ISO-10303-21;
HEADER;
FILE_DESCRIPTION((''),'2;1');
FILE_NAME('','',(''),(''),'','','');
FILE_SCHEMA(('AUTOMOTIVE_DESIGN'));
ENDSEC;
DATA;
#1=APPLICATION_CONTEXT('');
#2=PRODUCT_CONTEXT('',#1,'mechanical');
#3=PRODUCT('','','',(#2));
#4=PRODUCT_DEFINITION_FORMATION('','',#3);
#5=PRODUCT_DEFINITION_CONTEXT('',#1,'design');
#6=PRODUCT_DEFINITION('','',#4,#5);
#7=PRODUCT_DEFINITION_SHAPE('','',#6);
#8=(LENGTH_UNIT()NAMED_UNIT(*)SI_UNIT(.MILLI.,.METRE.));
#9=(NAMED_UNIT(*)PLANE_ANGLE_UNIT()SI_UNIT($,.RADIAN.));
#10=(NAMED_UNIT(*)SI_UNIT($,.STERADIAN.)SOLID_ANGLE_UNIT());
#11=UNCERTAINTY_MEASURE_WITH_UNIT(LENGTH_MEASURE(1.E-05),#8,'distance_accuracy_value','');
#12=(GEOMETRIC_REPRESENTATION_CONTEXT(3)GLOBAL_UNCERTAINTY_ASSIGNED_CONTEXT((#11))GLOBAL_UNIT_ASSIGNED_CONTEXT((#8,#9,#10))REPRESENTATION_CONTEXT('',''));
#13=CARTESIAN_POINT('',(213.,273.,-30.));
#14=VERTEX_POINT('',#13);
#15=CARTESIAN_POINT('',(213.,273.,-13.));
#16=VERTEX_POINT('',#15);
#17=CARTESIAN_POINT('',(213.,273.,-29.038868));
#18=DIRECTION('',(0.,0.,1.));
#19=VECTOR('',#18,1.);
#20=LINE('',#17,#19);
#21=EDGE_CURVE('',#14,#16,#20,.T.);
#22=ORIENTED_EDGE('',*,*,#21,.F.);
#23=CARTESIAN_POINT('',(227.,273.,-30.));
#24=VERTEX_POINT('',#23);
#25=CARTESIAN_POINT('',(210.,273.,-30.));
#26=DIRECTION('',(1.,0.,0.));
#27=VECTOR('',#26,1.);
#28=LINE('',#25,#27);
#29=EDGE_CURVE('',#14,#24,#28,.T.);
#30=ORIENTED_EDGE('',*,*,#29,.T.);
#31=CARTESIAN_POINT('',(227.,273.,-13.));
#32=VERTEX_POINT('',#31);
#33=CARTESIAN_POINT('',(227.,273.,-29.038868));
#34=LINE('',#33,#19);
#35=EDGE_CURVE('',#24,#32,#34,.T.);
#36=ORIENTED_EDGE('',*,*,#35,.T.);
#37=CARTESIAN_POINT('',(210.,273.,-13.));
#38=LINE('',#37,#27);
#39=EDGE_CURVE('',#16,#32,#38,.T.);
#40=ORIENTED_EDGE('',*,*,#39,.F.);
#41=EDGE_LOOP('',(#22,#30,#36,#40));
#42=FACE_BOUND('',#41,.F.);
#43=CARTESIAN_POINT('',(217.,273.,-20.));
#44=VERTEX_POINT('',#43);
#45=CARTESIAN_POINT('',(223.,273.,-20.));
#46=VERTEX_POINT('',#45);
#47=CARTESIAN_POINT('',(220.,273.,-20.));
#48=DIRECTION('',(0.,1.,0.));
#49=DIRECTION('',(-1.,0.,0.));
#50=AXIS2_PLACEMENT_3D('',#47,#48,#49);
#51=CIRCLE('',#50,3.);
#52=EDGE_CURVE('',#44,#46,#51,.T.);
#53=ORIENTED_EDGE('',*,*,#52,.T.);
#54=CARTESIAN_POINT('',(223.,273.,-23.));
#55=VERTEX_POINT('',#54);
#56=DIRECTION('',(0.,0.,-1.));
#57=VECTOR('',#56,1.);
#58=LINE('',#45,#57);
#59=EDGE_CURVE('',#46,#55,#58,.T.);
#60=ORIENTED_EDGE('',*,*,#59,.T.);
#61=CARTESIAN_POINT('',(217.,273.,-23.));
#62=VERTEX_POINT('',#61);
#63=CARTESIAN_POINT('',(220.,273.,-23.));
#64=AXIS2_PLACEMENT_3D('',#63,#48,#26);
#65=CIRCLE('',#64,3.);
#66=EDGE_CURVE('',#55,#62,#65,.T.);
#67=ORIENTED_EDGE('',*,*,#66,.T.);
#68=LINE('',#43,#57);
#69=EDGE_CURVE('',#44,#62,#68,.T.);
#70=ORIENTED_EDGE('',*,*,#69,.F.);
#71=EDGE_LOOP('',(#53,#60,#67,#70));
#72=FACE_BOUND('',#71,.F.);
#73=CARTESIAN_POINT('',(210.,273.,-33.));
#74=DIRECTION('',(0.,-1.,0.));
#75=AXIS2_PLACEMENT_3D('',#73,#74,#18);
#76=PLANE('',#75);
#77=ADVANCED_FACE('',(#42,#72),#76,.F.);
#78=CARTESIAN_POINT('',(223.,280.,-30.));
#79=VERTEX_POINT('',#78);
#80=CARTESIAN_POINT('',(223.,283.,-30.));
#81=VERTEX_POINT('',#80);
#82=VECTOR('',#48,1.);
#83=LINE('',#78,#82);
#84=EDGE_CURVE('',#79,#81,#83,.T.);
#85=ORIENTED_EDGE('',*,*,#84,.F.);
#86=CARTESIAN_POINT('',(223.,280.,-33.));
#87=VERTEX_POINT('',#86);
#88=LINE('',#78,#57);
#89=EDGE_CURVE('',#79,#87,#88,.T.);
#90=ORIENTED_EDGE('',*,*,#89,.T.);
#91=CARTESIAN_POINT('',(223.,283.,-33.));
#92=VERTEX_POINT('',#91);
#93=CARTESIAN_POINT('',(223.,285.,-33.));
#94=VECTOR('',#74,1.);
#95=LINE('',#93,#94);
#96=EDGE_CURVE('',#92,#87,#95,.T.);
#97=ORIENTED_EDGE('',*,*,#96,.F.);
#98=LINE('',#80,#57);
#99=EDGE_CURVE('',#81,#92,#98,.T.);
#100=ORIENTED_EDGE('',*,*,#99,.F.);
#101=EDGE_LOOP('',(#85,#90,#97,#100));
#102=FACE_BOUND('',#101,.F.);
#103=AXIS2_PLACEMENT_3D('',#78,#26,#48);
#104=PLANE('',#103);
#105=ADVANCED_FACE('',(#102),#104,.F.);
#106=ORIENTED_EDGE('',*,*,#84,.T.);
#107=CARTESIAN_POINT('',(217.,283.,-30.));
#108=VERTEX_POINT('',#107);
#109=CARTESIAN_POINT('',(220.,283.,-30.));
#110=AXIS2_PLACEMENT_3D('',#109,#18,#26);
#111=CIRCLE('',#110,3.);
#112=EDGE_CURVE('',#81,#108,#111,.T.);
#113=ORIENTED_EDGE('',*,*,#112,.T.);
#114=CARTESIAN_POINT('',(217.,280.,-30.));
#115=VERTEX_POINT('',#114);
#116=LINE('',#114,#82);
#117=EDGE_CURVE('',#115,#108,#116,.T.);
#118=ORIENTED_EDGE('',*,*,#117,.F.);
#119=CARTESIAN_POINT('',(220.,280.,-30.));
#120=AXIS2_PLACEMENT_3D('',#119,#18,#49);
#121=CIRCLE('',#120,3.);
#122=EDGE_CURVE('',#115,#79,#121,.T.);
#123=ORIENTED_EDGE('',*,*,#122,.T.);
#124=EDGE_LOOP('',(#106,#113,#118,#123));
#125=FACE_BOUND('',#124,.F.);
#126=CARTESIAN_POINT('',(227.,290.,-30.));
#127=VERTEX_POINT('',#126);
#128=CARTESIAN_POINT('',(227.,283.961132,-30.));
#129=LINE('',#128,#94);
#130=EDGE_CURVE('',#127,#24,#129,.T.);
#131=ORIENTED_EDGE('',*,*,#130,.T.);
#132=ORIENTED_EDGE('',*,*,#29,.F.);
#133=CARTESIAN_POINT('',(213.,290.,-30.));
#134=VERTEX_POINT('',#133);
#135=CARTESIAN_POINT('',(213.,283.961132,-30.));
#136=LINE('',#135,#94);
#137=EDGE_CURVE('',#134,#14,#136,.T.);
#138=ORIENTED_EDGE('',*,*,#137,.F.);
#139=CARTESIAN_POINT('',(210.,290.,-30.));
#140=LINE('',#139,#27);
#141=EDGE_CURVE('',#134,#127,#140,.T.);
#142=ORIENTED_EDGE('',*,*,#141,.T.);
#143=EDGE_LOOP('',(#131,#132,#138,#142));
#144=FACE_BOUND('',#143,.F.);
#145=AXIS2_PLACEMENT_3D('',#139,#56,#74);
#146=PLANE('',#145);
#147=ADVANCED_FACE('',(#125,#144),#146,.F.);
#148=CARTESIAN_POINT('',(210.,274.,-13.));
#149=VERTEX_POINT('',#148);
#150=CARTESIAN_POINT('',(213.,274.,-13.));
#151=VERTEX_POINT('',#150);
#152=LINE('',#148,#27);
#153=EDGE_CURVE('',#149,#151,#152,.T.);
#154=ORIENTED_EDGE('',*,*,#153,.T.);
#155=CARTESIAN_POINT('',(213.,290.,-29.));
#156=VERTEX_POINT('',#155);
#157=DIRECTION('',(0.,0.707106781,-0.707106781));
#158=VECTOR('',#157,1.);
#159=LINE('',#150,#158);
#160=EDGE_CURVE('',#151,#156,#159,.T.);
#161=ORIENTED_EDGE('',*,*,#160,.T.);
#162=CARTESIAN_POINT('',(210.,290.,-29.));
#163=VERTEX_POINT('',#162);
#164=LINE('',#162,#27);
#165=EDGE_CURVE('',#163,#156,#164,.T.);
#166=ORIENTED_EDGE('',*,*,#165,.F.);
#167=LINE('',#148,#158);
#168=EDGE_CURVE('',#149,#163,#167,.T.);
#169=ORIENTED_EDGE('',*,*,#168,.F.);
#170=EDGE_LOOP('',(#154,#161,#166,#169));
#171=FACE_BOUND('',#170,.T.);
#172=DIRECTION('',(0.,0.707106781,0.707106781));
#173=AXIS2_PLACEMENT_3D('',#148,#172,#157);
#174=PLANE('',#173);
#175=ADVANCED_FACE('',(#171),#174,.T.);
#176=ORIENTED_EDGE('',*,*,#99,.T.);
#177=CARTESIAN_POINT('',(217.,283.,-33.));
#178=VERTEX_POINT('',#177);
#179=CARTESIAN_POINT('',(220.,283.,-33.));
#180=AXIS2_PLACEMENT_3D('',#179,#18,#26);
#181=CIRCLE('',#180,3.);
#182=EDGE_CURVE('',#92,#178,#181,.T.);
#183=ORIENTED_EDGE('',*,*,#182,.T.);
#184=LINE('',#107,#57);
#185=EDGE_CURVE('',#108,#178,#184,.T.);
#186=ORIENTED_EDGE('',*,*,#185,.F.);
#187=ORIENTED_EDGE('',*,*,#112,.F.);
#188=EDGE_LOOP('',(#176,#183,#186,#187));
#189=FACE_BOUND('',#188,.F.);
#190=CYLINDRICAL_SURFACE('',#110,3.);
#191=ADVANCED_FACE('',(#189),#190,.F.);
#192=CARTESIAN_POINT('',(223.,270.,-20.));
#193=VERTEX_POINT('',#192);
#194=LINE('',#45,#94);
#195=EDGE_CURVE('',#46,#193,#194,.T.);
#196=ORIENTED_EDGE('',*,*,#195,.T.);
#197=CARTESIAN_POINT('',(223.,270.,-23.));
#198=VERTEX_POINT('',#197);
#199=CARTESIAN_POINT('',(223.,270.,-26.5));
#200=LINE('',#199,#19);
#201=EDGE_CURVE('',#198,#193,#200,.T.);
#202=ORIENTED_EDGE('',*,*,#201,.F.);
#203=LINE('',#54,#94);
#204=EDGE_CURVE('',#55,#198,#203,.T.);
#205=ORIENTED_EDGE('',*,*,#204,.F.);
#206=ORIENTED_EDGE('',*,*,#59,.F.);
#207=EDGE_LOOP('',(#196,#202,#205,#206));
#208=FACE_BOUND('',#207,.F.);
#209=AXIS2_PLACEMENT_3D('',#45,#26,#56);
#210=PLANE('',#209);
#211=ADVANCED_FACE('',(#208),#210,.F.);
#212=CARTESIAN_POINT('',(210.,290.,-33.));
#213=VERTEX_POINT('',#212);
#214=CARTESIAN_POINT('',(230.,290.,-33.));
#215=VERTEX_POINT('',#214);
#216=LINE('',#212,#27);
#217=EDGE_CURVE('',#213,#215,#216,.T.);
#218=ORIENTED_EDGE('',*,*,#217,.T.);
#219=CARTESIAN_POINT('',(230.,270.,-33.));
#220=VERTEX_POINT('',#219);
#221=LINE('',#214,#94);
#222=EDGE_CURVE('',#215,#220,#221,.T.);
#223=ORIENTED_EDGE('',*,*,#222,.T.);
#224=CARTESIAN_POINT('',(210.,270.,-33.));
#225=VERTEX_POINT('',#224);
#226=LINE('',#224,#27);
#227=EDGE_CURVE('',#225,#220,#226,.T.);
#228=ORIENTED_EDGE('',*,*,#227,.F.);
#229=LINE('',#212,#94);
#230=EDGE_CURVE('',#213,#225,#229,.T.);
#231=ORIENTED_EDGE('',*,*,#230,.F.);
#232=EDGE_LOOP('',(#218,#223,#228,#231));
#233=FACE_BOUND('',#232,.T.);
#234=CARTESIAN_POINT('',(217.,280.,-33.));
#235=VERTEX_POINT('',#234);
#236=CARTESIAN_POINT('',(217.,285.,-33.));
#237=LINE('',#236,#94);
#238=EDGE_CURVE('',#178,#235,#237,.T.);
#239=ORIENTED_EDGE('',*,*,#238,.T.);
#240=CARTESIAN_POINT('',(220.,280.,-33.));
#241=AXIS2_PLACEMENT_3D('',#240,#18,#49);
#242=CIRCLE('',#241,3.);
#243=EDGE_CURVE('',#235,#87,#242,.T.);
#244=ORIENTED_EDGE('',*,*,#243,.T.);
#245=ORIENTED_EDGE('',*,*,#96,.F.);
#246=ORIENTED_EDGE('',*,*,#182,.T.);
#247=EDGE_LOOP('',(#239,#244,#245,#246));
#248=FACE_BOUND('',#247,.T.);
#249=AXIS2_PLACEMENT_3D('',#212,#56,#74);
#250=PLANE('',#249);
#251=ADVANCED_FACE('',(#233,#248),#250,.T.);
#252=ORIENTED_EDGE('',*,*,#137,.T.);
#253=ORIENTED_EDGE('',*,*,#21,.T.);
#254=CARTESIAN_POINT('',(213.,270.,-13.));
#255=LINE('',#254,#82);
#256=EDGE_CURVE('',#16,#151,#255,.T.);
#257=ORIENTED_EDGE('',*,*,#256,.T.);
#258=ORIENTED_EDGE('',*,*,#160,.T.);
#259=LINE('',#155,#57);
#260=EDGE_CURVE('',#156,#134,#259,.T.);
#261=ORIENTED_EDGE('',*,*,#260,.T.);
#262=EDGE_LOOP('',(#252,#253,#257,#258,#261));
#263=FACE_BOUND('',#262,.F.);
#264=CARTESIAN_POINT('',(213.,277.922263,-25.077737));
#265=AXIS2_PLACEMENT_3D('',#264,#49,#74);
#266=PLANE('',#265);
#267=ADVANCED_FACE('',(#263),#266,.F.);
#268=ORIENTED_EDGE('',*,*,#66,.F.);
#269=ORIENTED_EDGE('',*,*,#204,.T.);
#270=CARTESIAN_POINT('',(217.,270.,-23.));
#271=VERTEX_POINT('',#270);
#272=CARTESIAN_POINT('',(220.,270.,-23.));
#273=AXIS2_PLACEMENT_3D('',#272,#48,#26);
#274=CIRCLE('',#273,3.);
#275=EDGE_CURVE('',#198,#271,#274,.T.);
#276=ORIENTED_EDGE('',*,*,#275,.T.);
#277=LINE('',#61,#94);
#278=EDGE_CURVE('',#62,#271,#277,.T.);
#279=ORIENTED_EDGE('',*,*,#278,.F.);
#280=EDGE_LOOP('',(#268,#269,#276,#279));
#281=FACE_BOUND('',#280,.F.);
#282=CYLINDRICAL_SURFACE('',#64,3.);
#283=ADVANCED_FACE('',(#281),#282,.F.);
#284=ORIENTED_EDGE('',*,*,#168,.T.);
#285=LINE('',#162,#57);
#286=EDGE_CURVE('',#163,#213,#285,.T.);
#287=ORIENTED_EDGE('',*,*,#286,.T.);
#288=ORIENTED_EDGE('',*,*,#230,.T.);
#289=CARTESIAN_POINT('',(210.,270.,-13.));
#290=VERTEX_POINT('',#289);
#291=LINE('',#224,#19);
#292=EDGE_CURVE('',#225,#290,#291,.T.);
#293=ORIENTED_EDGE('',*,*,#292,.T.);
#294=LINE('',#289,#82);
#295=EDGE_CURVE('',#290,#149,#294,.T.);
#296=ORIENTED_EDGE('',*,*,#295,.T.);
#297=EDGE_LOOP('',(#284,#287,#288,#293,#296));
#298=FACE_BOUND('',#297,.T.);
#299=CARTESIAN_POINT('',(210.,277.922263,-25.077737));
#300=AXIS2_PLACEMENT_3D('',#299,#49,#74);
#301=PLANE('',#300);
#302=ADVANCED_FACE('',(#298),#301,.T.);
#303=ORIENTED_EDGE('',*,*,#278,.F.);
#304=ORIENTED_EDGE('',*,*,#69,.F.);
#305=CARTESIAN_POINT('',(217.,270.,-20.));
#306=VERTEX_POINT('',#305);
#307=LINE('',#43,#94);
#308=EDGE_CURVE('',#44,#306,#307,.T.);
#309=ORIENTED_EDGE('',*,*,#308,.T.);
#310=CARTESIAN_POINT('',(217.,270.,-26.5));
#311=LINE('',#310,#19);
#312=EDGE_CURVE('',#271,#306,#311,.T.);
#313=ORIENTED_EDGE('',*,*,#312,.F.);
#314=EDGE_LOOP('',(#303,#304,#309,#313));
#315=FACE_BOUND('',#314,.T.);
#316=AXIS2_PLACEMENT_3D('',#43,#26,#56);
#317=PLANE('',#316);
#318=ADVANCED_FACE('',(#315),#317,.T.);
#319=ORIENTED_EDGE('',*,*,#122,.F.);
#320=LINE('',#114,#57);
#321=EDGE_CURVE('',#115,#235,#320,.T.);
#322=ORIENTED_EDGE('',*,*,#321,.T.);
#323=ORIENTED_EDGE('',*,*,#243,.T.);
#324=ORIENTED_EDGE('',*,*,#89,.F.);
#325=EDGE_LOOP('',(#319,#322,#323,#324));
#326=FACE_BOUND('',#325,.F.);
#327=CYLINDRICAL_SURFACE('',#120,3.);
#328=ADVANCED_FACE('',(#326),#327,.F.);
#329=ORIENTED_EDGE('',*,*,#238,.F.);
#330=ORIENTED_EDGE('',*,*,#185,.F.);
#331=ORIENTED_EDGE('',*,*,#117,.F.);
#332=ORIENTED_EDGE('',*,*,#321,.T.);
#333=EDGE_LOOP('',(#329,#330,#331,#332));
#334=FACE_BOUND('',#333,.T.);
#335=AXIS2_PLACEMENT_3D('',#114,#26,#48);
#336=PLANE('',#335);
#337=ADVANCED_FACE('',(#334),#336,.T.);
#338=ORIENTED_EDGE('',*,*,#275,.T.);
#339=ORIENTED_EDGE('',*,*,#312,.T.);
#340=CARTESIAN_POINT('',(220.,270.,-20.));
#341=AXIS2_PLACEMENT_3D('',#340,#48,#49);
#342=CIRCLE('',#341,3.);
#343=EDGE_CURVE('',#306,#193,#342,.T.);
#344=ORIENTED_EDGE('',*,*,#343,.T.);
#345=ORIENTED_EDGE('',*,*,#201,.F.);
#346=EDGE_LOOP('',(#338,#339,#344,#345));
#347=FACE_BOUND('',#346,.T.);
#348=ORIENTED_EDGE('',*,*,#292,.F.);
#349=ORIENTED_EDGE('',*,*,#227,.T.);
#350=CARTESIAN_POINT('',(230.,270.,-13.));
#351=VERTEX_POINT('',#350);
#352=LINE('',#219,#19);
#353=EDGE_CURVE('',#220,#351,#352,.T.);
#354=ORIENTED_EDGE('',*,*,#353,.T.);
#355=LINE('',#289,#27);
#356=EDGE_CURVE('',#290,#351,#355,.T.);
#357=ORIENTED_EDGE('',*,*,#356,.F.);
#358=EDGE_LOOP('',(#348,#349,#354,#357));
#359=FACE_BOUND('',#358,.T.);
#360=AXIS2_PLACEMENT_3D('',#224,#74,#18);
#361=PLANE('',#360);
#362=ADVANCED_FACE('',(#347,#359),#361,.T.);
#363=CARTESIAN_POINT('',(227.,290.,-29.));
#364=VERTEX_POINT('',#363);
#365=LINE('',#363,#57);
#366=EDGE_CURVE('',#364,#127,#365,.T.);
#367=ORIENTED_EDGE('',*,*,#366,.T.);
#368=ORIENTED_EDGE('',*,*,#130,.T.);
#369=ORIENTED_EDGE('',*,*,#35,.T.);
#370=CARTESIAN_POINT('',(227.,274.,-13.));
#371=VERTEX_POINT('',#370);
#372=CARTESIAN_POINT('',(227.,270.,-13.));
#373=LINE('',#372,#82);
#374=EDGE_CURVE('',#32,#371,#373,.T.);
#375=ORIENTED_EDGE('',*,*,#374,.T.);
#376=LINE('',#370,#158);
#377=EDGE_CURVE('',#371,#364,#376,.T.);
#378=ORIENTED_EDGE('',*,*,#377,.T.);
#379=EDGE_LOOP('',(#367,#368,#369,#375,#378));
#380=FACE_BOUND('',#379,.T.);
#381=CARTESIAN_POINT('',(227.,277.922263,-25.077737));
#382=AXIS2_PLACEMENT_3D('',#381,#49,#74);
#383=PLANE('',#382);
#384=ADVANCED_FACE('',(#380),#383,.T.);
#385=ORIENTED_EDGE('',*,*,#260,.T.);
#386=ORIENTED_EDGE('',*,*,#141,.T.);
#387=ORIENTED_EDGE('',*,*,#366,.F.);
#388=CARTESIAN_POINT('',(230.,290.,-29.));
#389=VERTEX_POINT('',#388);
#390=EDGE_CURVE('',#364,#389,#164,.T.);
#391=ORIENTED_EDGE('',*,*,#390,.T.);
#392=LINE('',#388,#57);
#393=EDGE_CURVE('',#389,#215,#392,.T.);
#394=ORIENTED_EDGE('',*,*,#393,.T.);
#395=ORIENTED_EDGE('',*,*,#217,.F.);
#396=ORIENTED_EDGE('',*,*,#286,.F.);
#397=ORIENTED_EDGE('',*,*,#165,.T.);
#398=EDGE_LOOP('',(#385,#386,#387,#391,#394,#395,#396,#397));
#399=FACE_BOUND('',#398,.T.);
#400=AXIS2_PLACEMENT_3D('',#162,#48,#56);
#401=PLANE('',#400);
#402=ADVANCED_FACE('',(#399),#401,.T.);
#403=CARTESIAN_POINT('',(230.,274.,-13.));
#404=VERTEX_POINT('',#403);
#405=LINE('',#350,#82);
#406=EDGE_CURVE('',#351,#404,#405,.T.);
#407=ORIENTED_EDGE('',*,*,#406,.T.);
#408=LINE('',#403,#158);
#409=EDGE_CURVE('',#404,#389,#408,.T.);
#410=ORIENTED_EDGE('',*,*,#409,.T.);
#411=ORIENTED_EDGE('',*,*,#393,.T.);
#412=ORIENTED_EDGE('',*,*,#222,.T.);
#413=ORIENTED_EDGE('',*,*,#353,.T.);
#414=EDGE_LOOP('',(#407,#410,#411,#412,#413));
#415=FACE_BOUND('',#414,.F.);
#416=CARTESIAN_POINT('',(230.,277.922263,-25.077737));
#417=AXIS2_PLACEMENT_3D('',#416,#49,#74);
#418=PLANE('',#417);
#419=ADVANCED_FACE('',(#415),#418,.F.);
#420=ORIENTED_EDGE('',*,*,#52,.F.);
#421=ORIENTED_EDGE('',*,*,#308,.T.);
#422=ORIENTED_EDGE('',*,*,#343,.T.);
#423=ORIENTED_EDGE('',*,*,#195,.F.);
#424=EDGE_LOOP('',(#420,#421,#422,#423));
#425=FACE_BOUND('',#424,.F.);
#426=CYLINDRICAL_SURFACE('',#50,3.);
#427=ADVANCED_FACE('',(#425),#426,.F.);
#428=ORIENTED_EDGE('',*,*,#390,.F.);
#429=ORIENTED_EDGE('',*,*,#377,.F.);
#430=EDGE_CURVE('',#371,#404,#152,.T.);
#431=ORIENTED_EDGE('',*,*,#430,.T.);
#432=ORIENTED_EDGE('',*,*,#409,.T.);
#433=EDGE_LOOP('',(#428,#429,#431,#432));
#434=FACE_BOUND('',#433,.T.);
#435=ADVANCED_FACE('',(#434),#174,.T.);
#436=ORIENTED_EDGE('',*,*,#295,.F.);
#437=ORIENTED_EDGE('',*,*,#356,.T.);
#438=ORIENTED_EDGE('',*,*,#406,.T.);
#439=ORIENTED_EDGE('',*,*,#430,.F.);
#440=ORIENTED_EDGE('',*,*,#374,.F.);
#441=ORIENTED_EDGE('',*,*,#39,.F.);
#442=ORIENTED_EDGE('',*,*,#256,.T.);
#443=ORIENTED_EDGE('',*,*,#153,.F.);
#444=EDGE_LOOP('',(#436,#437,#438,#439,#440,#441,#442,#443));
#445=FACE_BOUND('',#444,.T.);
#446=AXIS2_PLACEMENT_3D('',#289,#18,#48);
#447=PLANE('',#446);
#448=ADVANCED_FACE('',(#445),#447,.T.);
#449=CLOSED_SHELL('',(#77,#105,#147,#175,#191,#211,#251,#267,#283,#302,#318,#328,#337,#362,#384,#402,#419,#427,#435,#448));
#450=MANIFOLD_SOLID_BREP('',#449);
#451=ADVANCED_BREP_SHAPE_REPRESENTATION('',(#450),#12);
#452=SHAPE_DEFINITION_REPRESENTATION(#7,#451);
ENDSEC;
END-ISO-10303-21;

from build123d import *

# Parameters (mm, degrees)
PAD102_DEPTH            = 20
THICKNESS001_T          = -3
POCKET077_DEPTH         = 5
POCKET078_DEPTH         = 5
BODY126_PLACEMENT_ANGLE = 90


with BuildPart() as part:
    # Sketch211 (on XZ_Plane1033 of Origin1405) → Pad102 (new body)
    with BuildSketch(Plane.XZ):
        Polygon((0, 0), (0, 20), (4, 20), (20, 4), (20, 0), align=None)
    extrude(amount=PAD102_DEPTH)

    # Thickness001
    thickness001_openings = [part.faces().sort_by_distance(p)[0] for p in [
        (2, -10, 20),
        (12, -10, 12),
        (20, -10, 2),
    ]]
    offset(amount=THICKNESS001_T, openings=thickness001_openings)

    # Sketch212 (on Face11 of Thickness001) → Pocket077 (cut)
    with BuildSketch(Plane.YZ.offset(3)):
        with BuildLine():
            ThreePointArc((-7, 13), (-10, 16), (-13, 13))
            Line((-13, 13), (-13, 10))
            ThreePointArc((-13, 10), (-10, 7), (-7, 10))
            Line((-7, 13), (-7, 10))
        make_face()
    extrude(amount=-POCKET077_DEPTH, mode=Mode.SUBTRACT)

    # Sketch213 (on Face16 of Pocket077) → Pocket078 (cut)
    with BuildSketch(Plane.XY.offset(3)):
        with BuildLine():
            ThreePointArc((10, -7), (7, -10), (10, -13))
            Line((10, -13), (13, -13))
            ThreePointArc((13, -13), (16, -10), (13, -7))
            Line((10, -7), (13, -7))
        make_face()
    extrude(amount=-POCKET078_DEPTH, mode=Mode.SUBTRACT)


with BuildPart() as part_1:
    # Body126 placement: moved
    add(part.part.moved(Location((210, 270, -33))).rotate(Axis((210, 270, -33), (0, 0, 1)), BODY126_PLACEMENT_ANGLE))


solid = part_1.part
